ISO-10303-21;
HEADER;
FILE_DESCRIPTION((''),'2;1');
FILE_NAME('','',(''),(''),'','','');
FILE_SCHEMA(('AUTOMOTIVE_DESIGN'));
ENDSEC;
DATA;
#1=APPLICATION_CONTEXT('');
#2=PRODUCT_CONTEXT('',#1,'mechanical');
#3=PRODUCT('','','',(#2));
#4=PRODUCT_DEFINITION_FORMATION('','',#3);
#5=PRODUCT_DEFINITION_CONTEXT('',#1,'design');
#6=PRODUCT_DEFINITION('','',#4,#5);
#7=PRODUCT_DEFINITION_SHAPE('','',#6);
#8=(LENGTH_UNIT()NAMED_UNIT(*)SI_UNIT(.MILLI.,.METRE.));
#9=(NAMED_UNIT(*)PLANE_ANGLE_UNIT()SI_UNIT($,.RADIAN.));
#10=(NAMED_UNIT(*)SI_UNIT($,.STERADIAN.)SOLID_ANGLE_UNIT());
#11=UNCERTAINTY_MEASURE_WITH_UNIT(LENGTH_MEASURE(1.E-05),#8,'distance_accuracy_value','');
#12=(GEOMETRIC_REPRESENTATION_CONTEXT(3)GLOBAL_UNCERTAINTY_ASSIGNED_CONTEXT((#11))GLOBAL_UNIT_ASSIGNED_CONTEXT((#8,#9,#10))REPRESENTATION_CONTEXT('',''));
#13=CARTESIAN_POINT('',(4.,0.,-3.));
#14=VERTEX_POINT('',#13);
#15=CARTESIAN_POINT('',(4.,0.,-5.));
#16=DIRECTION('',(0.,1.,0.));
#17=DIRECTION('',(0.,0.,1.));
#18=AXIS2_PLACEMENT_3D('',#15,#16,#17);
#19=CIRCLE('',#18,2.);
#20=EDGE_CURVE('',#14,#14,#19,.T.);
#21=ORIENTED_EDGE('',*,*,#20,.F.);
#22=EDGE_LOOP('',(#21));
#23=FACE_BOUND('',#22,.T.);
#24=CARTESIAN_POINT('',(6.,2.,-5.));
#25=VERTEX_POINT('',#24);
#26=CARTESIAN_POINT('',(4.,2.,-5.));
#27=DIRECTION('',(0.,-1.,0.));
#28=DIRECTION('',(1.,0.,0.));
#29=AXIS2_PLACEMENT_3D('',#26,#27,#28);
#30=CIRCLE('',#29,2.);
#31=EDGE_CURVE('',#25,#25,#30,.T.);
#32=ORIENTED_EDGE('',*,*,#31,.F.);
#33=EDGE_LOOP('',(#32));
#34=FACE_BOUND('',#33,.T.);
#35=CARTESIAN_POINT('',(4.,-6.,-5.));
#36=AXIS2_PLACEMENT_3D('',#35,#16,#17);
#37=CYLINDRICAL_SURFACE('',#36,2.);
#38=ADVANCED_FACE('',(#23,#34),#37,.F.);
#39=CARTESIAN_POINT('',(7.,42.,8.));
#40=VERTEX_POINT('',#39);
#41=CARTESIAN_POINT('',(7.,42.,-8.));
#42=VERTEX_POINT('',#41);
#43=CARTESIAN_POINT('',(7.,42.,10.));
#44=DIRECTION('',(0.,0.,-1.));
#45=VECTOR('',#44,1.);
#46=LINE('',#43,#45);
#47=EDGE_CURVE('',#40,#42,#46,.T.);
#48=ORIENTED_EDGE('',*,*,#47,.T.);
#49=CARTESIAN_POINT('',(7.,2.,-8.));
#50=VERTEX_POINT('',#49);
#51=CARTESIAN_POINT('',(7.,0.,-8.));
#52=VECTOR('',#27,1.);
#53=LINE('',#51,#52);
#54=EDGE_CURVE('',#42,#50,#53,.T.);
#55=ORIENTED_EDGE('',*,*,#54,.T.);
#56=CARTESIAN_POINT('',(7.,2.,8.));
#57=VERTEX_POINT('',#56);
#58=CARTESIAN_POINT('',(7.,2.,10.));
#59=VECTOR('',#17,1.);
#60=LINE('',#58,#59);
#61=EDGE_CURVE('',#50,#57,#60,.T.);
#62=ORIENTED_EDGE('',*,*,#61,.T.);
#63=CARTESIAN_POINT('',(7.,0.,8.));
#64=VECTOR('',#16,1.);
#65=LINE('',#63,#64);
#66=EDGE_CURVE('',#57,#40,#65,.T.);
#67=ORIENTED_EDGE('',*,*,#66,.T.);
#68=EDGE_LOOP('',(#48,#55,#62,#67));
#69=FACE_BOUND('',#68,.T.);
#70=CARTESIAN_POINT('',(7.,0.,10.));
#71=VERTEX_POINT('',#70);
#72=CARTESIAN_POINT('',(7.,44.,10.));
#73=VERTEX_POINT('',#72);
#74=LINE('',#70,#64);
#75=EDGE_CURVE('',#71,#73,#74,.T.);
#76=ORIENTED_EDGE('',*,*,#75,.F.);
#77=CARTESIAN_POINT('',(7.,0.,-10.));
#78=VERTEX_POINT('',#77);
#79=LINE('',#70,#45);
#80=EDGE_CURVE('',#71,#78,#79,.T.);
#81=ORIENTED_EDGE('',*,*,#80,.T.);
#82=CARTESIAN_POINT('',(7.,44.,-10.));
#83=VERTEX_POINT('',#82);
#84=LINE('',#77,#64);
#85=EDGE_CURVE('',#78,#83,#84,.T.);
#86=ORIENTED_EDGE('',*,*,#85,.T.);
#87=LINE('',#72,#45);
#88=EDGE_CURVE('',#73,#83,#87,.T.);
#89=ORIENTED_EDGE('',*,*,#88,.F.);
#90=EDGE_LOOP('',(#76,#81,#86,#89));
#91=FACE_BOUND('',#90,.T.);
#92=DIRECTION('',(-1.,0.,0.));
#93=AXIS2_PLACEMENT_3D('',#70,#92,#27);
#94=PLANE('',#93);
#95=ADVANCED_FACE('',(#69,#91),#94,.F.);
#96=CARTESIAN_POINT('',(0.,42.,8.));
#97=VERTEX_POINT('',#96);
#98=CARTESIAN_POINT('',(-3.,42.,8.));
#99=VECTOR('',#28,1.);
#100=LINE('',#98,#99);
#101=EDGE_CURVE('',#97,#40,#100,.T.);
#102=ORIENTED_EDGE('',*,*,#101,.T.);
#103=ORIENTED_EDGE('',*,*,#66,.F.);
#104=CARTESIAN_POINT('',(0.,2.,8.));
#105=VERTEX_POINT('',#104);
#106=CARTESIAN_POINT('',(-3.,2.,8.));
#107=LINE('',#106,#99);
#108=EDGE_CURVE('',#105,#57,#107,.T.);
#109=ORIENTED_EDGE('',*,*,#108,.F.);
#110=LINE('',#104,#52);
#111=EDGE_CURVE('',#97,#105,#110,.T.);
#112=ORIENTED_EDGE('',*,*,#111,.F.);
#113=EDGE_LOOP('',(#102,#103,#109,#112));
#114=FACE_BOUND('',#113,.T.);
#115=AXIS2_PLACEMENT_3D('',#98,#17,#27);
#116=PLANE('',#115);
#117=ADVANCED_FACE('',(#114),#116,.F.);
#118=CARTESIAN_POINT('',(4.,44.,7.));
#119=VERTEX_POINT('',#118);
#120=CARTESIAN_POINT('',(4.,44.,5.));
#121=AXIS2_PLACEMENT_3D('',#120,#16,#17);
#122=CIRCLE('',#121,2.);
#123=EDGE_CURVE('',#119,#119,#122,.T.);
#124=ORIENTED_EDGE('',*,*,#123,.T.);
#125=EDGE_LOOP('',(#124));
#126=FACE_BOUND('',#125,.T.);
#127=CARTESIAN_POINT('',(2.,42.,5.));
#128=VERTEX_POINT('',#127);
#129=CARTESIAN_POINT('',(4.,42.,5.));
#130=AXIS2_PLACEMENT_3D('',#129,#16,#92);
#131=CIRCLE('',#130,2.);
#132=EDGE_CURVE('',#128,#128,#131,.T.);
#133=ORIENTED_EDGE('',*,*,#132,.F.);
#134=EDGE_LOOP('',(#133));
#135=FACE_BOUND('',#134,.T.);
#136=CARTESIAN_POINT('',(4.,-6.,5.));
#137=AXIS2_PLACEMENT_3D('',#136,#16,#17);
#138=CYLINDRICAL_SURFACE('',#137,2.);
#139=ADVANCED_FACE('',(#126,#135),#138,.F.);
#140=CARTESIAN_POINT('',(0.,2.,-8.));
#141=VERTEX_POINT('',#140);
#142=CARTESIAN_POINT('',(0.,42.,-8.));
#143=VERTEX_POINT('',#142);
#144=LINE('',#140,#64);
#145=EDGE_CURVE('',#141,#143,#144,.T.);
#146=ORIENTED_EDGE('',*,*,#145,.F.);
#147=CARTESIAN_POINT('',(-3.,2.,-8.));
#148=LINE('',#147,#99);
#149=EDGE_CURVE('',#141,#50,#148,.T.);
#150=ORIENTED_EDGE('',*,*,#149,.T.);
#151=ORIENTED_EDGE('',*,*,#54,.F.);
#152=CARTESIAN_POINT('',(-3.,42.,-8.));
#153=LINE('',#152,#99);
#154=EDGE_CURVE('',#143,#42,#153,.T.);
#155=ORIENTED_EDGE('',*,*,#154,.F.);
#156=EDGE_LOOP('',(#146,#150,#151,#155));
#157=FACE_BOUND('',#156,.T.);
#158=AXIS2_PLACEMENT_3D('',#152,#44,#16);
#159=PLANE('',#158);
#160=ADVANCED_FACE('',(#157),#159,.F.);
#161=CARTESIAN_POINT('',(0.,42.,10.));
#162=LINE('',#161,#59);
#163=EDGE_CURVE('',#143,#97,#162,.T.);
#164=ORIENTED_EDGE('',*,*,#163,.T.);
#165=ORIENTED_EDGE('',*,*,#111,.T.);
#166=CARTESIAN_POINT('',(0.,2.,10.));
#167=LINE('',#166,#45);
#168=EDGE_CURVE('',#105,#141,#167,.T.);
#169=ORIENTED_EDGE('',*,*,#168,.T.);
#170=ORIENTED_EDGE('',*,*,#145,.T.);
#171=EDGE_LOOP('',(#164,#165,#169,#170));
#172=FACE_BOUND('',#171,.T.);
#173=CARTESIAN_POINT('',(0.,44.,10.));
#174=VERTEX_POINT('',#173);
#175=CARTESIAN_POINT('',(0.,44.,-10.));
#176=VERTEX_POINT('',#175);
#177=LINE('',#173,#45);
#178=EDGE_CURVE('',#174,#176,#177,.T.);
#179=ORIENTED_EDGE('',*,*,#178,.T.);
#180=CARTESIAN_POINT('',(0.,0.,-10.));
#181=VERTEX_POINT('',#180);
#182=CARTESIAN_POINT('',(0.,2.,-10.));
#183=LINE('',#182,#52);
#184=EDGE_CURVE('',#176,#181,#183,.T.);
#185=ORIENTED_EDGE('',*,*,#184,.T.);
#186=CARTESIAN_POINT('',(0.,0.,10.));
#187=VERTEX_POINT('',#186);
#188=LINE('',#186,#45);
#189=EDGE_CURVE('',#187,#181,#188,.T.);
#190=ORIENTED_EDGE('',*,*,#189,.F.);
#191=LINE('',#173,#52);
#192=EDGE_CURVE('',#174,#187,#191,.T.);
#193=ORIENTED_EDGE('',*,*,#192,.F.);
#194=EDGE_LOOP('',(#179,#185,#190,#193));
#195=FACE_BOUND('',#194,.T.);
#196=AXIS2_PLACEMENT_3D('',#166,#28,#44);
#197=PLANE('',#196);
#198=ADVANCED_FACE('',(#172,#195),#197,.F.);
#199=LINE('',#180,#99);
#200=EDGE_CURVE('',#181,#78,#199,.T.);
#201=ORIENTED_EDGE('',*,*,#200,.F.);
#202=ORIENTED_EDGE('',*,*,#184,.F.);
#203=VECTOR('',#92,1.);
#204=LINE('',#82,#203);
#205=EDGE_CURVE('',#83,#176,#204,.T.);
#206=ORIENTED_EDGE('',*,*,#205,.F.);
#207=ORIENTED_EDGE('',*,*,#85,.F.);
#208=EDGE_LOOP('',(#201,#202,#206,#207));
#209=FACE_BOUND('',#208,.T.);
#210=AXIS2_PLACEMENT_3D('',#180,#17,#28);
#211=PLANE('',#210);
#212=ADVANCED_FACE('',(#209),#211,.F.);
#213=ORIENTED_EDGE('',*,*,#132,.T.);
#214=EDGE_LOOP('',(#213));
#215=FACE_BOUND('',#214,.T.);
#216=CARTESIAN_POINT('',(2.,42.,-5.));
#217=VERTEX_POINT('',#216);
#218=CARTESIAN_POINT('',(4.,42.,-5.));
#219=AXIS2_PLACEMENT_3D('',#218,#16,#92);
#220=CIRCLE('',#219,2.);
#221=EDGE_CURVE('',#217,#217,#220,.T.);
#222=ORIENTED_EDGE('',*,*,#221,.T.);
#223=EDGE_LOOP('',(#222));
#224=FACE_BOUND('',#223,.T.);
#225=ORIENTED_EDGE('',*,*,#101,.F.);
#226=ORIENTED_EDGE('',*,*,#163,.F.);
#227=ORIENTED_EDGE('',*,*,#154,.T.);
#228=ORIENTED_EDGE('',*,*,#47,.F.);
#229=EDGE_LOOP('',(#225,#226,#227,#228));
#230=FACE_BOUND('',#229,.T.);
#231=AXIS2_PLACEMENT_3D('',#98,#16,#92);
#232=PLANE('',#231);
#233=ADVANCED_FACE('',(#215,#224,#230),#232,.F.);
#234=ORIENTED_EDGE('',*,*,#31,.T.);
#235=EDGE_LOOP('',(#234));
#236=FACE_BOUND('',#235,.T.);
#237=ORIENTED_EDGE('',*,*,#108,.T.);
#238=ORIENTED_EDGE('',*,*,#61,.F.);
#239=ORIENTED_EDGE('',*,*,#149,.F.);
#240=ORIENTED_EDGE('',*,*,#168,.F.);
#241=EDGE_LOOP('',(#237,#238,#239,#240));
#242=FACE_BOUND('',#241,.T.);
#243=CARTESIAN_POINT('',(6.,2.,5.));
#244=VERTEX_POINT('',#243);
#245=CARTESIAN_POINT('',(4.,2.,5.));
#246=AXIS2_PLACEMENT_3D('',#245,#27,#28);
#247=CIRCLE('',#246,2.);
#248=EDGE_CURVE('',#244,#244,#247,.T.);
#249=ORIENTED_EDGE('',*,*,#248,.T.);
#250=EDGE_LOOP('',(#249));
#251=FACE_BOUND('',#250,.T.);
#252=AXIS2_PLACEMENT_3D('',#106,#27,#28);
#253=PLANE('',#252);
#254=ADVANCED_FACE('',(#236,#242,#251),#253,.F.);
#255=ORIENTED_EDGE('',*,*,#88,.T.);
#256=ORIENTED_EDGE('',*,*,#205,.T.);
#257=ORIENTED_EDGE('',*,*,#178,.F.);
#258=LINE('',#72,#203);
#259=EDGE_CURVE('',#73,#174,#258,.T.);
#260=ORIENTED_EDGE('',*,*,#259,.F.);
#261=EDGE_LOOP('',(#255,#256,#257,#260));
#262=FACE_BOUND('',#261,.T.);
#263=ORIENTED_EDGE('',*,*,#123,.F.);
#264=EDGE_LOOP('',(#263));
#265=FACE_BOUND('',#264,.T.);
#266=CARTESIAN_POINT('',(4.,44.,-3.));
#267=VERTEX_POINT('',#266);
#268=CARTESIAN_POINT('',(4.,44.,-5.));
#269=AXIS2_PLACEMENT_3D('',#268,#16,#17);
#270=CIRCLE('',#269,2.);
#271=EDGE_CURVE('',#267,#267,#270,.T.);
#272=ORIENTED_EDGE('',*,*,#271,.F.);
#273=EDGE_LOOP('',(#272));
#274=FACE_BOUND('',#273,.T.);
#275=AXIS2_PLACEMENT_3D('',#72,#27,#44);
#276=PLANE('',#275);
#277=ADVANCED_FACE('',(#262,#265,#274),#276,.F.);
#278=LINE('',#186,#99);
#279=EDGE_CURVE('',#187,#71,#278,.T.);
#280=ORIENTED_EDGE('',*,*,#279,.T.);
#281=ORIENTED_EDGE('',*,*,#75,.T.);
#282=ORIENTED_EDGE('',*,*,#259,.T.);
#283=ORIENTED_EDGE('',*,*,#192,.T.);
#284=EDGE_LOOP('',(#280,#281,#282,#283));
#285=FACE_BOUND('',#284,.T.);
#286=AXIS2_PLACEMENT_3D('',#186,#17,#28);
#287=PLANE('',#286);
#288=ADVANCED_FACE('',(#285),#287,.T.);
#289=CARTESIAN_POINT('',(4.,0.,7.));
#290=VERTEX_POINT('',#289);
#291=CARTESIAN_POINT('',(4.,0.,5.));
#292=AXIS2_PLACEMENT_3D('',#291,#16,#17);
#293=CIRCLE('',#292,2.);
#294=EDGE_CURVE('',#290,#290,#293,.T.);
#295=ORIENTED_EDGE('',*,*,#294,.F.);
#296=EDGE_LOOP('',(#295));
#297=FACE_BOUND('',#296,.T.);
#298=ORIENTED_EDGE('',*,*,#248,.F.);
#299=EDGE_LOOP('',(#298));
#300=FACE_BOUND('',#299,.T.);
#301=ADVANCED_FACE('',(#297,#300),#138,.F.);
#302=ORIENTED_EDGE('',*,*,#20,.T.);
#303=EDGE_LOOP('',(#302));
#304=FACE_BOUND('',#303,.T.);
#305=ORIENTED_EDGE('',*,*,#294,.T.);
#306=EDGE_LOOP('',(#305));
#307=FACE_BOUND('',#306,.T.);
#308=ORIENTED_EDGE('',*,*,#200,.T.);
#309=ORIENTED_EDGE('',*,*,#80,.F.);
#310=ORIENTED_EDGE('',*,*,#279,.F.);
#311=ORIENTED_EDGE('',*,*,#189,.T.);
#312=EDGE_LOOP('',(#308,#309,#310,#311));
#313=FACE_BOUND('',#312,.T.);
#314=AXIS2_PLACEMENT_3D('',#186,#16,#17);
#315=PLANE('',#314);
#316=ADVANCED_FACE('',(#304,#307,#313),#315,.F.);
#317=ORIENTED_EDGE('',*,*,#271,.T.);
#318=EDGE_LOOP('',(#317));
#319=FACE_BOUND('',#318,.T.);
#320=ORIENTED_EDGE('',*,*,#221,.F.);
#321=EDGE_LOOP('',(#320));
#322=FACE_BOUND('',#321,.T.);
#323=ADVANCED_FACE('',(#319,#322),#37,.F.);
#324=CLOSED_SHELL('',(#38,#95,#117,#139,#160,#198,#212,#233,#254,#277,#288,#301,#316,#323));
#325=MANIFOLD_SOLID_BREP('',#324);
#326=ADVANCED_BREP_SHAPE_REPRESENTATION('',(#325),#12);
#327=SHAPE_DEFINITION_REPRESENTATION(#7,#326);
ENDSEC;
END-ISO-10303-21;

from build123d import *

# Parameters (mm, degrees)
EXTRUDE_1_DEPTH     = 10
SKETCH_2_W          = 16
SKETCH_2_H          = 40
CUT_EXTRUDE_1_DEPTH = 10
SKETCH_3_R          = 2
CUT_EXTRUDE_2_DEPTH = 50


with BuildPart() as part:
    # 草图1 → 凸台-拉伸1 (new, symmetric)
    with BuildSketch(Plane.XY):
        Polygon((0, 42), (0, 2), (0, 0), (7, 0), (7, 44), (0, 44), align=None)
    extrude(amount=EXTRUDE_1_DEPTH, both=True)

    # 草图2 → 切除-拉伸1 (cut, symmetric)
    with BuildSketch(Plane(origin=(7, 0, 0), x_dir=(0, 0, -1), z_dir=(1, 0, 0))):
        with Locations((0, 22)):
            Rectangle(SKETCH_2_W, SKETCH_2_H)
    extrude(amount=CUT_EXTRUDE_1_DEPTH, both=True, mode=Mode.SUBTRACT)

    # 草图3 → 切除-拉伸2 (cut)
    with BuildSketch(Plane(origin=(0, 44, 0), x_dir=(1, 0, 0), z_dir=(0, 1, 0))):
        with Locations(Location((4, 5, 0), (0, 0, 270))):
            Circle(SKETCH_3_R)
        with Locations(Location((4, -5, 0), (0, 0, 270))):
            Circle(SKETCH_3_R)
    extrude(amount=-CUT_EXTRUDE_2_DEPTH, mode=Mode.SUBTRACT)


solid = part.part
